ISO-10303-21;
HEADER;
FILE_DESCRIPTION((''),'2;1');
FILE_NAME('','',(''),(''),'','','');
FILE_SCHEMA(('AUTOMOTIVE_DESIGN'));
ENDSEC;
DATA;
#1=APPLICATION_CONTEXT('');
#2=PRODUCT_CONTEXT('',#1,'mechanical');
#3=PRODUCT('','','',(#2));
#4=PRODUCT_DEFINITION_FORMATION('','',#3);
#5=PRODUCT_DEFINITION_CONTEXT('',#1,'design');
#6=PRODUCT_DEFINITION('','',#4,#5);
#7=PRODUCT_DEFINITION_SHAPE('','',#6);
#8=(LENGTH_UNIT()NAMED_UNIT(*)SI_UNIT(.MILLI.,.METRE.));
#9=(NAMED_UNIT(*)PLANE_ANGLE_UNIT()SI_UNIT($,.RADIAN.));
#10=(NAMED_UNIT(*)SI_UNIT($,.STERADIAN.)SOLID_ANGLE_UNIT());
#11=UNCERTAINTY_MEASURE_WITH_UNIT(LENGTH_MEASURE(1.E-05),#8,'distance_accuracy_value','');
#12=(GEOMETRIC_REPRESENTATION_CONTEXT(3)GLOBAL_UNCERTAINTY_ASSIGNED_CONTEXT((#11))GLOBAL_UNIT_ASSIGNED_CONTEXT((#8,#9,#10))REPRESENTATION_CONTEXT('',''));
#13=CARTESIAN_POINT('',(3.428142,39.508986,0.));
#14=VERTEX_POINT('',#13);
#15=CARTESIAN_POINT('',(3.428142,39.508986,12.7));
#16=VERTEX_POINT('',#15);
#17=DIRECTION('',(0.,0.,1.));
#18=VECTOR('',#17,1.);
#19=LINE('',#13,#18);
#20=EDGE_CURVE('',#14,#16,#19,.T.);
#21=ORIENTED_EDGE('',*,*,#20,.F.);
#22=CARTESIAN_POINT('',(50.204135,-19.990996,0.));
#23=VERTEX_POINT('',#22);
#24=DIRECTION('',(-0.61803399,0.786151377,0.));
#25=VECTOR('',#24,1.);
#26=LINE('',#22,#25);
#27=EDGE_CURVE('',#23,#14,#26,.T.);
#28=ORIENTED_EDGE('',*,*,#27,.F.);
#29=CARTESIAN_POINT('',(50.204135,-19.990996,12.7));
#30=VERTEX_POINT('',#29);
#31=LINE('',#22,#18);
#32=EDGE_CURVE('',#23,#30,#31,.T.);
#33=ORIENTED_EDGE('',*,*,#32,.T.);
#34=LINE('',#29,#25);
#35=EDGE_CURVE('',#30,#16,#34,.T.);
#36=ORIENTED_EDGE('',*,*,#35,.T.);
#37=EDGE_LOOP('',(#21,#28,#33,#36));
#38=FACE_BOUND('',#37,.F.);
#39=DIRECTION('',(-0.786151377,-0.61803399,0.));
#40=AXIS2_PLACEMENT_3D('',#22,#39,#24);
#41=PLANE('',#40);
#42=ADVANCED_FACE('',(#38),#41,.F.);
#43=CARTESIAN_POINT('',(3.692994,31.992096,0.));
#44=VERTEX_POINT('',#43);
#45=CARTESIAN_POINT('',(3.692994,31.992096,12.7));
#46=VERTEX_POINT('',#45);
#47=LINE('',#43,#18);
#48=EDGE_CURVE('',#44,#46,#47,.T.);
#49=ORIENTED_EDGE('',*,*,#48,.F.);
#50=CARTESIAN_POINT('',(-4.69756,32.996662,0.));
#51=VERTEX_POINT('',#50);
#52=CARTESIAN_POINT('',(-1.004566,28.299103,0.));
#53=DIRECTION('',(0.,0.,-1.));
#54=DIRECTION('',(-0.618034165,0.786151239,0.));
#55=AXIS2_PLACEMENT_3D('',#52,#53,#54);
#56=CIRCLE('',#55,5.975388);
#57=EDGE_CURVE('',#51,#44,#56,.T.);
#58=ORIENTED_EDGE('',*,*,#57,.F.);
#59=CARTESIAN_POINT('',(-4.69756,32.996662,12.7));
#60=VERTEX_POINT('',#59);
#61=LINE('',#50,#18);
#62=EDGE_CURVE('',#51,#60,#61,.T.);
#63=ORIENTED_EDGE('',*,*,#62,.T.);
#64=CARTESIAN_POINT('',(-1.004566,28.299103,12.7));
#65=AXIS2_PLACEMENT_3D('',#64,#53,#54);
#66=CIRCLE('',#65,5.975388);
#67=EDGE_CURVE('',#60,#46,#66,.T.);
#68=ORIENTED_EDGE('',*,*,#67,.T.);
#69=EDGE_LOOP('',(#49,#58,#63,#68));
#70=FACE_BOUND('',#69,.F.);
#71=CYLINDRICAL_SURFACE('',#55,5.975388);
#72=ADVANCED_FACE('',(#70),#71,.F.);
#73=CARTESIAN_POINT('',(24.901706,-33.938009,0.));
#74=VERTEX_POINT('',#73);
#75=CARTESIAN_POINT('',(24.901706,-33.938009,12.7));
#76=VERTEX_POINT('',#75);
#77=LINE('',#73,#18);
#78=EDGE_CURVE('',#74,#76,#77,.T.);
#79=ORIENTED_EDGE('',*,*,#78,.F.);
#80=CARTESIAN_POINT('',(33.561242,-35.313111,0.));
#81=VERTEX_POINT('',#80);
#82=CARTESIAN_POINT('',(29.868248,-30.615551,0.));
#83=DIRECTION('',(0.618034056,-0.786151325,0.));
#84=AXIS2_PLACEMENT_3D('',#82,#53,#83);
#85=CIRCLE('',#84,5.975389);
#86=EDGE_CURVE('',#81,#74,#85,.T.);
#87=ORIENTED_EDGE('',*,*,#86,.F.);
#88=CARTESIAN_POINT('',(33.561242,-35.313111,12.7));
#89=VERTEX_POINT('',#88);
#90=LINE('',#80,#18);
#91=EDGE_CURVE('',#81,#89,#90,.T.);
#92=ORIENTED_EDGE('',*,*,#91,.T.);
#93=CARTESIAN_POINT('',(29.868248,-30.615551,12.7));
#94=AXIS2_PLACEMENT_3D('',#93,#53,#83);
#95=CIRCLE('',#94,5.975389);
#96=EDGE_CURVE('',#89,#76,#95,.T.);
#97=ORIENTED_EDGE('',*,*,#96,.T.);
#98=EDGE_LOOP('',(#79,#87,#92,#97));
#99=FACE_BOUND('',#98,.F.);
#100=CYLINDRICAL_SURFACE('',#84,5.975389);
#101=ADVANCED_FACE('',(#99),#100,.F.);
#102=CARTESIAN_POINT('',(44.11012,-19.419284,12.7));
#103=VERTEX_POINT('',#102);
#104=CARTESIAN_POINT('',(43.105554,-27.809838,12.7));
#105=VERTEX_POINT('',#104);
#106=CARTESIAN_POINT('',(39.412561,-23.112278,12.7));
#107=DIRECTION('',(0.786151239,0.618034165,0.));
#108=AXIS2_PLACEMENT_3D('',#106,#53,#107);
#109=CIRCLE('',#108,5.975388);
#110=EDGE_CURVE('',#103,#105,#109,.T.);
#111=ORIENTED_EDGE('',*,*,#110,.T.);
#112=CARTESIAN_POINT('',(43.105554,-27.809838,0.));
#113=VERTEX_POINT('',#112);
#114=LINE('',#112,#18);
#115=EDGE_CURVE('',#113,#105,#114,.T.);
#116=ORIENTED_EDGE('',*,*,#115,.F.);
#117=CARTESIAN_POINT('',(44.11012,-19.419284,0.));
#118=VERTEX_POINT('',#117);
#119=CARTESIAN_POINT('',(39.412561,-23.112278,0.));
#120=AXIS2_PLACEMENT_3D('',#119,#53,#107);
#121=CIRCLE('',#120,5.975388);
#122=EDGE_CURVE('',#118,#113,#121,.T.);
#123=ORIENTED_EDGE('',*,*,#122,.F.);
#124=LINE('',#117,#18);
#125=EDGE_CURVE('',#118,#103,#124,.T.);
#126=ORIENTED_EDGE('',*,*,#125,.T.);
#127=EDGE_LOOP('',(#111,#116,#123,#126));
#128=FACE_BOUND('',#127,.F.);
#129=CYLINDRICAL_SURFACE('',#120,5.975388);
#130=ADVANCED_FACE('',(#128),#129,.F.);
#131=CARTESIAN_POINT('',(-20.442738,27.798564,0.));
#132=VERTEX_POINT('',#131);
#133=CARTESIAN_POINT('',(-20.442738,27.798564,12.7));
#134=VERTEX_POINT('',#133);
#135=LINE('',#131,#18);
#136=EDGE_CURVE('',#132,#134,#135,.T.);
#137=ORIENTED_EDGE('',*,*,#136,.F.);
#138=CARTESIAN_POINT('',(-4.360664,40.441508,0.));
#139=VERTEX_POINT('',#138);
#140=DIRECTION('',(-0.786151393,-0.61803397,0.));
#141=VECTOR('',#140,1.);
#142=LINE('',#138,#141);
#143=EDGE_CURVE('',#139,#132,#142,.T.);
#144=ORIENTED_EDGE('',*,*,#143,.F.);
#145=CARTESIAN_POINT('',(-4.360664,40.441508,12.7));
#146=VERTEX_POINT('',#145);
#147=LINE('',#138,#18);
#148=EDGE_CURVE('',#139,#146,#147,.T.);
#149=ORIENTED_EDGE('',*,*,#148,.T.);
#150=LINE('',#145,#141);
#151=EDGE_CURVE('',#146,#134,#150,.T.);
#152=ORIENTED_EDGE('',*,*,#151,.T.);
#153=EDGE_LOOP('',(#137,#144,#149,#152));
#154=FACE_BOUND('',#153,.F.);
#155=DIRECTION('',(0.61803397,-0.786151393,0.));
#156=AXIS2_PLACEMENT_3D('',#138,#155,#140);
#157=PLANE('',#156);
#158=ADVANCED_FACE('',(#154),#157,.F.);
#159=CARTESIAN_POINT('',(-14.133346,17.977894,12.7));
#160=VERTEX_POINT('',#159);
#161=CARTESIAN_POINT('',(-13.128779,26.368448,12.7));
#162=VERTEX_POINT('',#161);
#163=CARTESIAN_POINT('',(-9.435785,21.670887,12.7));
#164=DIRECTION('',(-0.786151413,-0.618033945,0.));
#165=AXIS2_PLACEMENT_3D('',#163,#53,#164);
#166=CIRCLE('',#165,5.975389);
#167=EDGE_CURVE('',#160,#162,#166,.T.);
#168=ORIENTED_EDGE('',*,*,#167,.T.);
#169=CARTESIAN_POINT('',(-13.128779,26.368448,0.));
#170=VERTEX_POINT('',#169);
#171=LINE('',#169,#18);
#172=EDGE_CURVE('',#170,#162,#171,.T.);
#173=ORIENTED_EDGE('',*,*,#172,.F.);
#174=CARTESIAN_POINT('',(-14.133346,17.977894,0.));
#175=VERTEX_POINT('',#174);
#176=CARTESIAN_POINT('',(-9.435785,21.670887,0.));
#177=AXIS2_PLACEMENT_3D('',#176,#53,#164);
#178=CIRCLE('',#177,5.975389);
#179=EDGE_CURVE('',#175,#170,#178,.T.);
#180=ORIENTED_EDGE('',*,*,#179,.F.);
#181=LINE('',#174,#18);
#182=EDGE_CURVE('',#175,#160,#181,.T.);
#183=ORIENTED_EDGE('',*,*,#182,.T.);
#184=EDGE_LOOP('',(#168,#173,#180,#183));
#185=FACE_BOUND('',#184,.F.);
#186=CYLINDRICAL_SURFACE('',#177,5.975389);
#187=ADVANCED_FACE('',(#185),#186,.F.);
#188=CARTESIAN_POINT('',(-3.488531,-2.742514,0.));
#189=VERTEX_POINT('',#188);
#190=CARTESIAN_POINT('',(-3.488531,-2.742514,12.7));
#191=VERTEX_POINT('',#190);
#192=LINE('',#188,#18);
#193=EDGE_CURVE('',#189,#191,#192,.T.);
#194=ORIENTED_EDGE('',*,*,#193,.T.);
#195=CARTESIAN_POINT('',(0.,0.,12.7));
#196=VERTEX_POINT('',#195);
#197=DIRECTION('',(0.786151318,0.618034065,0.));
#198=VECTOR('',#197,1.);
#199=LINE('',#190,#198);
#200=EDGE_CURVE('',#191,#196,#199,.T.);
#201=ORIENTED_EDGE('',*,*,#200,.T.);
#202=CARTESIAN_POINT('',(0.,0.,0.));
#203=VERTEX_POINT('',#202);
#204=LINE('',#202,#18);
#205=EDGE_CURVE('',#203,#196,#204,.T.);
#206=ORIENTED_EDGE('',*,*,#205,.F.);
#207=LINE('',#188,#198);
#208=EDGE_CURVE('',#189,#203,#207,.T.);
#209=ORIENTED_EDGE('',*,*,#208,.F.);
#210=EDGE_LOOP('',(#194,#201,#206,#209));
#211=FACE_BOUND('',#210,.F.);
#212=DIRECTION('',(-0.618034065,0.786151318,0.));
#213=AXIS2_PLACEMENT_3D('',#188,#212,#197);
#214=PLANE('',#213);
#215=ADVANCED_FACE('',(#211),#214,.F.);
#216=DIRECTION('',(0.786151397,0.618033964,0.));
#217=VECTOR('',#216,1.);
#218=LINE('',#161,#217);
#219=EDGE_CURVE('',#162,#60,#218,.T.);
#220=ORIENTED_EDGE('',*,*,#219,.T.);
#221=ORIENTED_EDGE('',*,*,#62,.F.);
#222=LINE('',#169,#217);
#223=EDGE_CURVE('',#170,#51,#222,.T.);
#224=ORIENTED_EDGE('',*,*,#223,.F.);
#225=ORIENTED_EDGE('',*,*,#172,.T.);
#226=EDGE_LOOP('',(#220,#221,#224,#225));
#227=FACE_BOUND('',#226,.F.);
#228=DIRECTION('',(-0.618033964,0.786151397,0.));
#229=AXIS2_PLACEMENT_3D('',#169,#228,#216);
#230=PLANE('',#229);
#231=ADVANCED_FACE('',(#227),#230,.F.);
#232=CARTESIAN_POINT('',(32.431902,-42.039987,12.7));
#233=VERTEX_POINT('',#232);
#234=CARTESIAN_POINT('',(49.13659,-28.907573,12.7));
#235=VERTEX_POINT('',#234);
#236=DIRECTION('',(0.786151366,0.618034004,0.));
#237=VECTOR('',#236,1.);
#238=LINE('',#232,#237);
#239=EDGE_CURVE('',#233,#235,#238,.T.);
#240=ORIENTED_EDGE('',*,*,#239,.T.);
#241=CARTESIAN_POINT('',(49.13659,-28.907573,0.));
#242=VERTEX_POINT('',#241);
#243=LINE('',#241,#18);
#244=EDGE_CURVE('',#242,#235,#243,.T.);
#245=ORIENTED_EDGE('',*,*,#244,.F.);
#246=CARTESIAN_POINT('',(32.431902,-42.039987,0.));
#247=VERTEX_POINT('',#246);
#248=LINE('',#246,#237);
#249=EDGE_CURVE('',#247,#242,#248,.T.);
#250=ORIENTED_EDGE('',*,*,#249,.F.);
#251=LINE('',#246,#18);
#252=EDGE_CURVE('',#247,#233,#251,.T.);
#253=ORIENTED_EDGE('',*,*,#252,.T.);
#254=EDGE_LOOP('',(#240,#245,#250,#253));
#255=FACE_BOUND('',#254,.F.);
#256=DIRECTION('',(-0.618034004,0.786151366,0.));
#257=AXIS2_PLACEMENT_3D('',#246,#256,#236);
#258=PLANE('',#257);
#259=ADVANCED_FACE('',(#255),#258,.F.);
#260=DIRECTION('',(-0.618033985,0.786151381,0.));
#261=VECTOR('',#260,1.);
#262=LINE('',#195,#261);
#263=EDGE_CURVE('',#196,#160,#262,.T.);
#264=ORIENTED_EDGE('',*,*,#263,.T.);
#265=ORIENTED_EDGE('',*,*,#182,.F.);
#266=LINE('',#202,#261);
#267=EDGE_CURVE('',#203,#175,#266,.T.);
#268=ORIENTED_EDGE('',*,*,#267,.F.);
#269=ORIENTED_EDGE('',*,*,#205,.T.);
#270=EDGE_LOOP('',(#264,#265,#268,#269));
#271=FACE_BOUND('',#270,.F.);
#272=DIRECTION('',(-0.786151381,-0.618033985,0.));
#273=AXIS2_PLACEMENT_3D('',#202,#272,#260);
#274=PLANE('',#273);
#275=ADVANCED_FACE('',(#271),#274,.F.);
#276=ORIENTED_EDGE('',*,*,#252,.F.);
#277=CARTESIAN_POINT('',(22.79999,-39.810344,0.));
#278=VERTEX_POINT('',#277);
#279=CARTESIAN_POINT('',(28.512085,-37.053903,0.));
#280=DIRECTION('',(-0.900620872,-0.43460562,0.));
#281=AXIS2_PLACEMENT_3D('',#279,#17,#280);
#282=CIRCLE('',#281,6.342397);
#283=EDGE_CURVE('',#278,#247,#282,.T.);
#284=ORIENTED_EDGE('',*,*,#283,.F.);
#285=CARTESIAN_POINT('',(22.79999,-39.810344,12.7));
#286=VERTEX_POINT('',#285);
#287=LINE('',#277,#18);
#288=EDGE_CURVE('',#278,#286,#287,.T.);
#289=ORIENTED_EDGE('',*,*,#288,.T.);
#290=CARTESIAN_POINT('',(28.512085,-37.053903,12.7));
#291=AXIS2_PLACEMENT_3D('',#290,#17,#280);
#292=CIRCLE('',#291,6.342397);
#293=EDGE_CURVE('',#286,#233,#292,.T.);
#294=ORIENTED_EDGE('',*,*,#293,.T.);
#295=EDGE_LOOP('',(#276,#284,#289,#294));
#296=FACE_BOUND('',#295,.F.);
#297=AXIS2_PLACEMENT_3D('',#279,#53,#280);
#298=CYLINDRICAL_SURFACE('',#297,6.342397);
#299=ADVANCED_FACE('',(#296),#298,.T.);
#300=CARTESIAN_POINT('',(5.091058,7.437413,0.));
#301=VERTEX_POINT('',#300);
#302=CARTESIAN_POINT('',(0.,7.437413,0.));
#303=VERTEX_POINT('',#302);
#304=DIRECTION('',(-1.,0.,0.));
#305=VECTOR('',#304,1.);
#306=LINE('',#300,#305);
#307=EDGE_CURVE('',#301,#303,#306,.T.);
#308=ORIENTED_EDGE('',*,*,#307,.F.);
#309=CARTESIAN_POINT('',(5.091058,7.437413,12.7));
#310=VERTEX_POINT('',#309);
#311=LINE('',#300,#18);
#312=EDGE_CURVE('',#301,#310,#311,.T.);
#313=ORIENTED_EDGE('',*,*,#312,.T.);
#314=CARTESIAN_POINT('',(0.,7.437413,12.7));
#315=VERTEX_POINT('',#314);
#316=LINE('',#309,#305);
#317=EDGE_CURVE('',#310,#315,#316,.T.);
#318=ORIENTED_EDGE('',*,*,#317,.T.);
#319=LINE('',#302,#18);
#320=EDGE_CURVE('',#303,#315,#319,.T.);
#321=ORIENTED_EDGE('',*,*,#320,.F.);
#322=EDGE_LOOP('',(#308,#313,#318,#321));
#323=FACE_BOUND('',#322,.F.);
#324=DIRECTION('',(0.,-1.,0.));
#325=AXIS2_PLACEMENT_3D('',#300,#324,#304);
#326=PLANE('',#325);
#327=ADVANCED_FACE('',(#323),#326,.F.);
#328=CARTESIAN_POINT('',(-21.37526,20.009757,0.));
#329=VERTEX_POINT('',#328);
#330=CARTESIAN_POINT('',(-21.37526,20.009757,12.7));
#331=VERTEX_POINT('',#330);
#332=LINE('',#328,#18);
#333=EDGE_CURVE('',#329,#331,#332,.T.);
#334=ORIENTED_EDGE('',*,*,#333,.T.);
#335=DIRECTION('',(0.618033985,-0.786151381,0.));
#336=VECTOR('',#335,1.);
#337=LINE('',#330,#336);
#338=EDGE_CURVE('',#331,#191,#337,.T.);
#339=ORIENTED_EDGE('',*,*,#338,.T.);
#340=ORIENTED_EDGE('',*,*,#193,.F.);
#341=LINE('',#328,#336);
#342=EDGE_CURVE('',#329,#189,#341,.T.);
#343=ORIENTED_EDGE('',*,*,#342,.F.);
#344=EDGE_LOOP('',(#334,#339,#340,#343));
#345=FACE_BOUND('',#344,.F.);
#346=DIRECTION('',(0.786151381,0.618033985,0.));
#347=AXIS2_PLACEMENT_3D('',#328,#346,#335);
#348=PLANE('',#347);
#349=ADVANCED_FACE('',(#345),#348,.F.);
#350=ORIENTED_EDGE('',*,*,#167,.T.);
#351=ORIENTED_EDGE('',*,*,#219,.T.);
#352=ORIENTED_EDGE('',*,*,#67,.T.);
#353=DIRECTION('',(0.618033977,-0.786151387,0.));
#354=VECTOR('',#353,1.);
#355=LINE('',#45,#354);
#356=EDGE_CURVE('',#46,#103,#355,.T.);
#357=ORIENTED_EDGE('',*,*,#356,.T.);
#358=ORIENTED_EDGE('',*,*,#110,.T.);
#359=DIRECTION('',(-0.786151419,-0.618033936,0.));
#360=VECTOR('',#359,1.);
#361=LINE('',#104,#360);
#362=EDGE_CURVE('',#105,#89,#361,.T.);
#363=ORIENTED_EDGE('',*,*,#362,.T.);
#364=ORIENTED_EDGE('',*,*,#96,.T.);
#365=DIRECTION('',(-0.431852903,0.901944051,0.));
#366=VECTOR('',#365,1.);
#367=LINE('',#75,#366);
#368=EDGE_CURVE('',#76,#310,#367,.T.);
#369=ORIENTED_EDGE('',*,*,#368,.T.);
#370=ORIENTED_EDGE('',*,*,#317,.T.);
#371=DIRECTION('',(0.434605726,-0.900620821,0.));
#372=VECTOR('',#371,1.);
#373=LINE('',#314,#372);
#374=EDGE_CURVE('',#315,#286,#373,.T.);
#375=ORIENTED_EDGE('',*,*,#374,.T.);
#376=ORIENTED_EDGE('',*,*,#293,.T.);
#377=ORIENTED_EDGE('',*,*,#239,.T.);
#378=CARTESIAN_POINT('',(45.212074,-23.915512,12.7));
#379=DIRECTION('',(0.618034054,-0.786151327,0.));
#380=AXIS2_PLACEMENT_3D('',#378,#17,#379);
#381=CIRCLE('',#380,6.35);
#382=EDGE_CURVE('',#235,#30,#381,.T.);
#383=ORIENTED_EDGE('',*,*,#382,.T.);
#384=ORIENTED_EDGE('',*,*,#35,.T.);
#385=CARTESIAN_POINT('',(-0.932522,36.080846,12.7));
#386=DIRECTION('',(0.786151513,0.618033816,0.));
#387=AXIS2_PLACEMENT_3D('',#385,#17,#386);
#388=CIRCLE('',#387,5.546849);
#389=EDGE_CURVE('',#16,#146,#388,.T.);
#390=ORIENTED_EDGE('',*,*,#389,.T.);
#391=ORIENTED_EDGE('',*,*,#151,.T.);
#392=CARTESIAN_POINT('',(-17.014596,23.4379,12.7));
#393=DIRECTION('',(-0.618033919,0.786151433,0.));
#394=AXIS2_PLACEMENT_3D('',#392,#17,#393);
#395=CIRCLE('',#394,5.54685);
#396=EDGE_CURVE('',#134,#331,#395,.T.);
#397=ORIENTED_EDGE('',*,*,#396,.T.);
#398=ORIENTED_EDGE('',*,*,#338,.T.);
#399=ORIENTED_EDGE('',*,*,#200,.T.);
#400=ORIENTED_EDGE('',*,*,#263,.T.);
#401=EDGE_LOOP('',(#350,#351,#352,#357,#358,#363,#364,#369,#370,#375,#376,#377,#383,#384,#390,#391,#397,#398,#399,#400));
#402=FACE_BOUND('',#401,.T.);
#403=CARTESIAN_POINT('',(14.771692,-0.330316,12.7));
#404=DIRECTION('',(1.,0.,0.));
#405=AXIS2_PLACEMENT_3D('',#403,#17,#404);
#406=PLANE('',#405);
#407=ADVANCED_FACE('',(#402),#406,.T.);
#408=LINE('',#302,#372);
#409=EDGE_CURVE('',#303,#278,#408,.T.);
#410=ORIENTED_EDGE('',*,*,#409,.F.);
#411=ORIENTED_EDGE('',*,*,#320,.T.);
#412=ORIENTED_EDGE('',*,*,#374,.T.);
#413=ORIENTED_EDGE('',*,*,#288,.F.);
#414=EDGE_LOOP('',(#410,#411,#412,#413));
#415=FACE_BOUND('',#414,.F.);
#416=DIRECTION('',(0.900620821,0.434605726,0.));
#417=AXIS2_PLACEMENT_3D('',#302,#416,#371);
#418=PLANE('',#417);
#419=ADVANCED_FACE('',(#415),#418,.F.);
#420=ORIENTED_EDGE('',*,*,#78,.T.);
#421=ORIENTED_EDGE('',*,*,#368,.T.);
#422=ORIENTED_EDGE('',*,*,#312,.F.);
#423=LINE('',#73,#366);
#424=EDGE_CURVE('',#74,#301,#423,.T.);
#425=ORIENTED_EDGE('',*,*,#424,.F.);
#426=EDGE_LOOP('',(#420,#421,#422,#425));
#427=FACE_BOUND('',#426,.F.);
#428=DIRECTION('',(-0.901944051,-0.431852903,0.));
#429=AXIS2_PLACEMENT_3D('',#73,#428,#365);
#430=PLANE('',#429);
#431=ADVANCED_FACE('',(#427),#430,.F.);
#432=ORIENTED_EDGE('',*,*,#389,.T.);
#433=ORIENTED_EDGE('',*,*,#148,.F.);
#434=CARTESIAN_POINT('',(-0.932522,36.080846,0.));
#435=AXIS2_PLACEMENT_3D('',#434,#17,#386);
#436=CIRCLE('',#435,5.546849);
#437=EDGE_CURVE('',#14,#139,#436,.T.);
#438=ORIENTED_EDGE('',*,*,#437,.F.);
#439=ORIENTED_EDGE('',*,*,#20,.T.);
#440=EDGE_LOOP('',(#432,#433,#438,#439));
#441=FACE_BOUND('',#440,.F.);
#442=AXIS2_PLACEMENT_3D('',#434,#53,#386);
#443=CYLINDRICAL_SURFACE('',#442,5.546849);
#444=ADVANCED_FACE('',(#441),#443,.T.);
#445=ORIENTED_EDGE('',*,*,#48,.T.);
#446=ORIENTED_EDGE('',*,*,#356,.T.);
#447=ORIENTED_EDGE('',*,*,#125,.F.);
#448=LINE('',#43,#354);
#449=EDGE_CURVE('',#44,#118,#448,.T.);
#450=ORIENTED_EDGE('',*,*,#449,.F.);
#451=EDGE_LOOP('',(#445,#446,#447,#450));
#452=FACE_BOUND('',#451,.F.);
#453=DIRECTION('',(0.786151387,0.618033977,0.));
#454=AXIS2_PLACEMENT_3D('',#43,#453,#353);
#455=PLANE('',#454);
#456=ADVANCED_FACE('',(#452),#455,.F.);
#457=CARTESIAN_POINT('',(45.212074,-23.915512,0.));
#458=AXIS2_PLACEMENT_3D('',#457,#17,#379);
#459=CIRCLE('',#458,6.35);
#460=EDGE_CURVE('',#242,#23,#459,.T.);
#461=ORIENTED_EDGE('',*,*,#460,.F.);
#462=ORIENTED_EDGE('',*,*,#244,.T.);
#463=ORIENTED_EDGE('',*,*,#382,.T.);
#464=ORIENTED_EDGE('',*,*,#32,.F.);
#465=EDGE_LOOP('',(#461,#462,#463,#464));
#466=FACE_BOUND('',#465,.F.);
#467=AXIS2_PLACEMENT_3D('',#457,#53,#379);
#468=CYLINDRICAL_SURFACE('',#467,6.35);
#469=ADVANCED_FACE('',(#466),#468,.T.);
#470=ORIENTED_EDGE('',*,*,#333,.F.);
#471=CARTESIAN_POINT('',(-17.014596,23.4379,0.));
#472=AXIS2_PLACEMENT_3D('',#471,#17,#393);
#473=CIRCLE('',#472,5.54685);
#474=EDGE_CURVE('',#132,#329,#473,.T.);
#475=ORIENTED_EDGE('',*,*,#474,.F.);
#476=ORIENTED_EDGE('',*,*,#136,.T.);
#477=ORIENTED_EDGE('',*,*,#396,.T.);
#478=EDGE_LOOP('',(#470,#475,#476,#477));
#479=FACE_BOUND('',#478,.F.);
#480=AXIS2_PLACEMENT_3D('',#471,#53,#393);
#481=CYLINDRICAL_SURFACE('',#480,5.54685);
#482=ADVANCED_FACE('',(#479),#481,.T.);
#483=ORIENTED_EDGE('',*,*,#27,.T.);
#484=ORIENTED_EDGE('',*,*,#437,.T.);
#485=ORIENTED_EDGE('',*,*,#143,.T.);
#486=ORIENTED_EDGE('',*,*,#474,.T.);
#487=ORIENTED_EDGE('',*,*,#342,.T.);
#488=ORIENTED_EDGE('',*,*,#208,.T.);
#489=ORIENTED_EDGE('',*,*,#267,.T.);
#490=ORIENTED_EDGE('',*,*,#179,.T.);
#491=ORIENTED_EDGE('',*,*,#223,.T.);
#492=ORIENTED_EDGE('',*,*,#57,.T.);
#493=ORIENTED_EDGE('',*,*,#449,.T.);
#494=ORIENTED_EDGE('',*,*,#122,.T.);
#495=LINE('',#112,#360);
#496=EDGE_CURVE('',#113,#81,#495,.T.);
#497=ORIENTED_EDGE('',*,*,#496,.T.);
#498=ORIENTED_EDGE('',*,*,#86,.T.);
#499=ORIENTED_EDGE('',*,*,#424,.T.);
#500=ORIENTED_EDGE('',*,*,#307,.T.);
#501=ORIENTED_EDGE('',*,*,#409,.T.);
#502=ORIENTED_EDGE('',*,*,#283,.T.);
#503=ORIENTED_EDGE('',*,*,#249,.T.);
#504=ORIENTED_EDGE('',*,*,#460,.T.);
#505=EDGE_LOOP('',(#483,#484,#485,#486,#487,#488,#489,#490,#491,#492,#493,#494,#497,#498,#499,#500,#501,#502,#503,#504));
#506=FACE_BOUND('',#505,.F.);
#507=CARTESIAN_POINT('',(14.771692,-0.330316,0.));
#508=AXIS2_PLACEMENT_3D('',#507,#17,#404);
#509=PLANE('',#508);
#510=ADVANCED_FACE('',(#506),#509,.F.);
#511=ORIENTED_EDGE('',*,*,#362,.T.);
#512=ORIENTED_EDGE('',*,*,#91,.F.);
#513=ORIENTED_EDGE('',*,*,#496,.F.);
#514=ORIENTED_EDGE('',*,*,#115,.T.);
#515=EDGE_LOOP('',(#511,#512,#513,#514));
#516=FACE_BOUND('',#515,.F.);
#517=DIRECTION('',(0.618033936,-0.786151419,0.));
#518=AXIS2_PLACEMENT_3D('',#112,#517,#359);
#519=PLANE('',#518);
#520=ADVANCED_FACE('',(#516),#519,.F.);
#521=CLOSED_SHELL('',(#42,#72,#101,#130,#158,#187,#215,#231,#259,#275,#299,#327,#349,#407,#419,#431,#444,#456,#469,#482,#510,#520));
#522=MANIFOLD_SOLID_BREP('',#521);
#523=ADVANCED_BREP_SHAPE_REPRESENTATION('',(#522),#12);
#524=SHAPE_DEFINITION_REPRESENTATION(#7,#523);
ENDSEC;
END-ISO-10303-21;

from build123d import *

# Parameters (mm, degrees)
F1_DEPTH = 12.7


with BuildPart() as f1:
    # F0 (on Top) → F1 (new body)
    with BuildSketch(Plane.XY):
        with BuildLine():
            Line((-3.488531, -2.742514), (0, 0))
            Line((0, 0), (-14.133346, 17.977894))
            ThreePointArc((-14.133346, 17.977894), (-15.368803, 22.381224), (-13.128779, 26.368448))
            Line((-13.128779, 26.368448), (-4.69756, 32.996662))
            ThreePointArc((-4.69756, 32.996662), (-0.294231, 34.23212), (3.692994, 31.992096))
            Line((3.692994, 31.992096), (44.11012, -19.419284))
            ThreePointArc((44.11012, -19.419284), (45.345578, -23.822613), (43.105554, -27.809838))
            Line((43.105554, -27.809838), (33.561242, -35.313111))
            ThreePointArc((33.561242, -35.313111), (28.931121, -36.516997), (24.901706, -33.938009))
            Line((24.901706, -33.938009), (5.091058, 7.437413))
            Line((5.091058, 7.437413), (0, 7.437413))
            Line((0, 7.437413), (22.79999, -39.810344))
            ThreePointArc((22.79999, -39.810344), (27.081738, -43.232908), (32.431902, -42.039987))
            Line((32.431902, -42.039987), (49.13659, -28.907573))
            ThreePointArc((49.13659, -28.907573), (51.517046, -24.67038), (50.204135, -19.990996))
            Line((50.204135, -19.990996), (3.428142, 39.508986))
            ThreePointArc((3.428142, 39.508986), (-0.273129, 41.588362), (-4.360664, 40.441508))
            Line((-4.360664, 40.441508), (-20.442738, 27.798564))
            ThreePointArc((-20.442738, 27.798564), (-22.522114, 24.097292), (-21.37526, 20.009757))
            Line((-21.37526, 20.009757), (-3.488531, -2.742514))
        make_face()
    extrude(amount=F1_DEPTH)


solid = f1.part
